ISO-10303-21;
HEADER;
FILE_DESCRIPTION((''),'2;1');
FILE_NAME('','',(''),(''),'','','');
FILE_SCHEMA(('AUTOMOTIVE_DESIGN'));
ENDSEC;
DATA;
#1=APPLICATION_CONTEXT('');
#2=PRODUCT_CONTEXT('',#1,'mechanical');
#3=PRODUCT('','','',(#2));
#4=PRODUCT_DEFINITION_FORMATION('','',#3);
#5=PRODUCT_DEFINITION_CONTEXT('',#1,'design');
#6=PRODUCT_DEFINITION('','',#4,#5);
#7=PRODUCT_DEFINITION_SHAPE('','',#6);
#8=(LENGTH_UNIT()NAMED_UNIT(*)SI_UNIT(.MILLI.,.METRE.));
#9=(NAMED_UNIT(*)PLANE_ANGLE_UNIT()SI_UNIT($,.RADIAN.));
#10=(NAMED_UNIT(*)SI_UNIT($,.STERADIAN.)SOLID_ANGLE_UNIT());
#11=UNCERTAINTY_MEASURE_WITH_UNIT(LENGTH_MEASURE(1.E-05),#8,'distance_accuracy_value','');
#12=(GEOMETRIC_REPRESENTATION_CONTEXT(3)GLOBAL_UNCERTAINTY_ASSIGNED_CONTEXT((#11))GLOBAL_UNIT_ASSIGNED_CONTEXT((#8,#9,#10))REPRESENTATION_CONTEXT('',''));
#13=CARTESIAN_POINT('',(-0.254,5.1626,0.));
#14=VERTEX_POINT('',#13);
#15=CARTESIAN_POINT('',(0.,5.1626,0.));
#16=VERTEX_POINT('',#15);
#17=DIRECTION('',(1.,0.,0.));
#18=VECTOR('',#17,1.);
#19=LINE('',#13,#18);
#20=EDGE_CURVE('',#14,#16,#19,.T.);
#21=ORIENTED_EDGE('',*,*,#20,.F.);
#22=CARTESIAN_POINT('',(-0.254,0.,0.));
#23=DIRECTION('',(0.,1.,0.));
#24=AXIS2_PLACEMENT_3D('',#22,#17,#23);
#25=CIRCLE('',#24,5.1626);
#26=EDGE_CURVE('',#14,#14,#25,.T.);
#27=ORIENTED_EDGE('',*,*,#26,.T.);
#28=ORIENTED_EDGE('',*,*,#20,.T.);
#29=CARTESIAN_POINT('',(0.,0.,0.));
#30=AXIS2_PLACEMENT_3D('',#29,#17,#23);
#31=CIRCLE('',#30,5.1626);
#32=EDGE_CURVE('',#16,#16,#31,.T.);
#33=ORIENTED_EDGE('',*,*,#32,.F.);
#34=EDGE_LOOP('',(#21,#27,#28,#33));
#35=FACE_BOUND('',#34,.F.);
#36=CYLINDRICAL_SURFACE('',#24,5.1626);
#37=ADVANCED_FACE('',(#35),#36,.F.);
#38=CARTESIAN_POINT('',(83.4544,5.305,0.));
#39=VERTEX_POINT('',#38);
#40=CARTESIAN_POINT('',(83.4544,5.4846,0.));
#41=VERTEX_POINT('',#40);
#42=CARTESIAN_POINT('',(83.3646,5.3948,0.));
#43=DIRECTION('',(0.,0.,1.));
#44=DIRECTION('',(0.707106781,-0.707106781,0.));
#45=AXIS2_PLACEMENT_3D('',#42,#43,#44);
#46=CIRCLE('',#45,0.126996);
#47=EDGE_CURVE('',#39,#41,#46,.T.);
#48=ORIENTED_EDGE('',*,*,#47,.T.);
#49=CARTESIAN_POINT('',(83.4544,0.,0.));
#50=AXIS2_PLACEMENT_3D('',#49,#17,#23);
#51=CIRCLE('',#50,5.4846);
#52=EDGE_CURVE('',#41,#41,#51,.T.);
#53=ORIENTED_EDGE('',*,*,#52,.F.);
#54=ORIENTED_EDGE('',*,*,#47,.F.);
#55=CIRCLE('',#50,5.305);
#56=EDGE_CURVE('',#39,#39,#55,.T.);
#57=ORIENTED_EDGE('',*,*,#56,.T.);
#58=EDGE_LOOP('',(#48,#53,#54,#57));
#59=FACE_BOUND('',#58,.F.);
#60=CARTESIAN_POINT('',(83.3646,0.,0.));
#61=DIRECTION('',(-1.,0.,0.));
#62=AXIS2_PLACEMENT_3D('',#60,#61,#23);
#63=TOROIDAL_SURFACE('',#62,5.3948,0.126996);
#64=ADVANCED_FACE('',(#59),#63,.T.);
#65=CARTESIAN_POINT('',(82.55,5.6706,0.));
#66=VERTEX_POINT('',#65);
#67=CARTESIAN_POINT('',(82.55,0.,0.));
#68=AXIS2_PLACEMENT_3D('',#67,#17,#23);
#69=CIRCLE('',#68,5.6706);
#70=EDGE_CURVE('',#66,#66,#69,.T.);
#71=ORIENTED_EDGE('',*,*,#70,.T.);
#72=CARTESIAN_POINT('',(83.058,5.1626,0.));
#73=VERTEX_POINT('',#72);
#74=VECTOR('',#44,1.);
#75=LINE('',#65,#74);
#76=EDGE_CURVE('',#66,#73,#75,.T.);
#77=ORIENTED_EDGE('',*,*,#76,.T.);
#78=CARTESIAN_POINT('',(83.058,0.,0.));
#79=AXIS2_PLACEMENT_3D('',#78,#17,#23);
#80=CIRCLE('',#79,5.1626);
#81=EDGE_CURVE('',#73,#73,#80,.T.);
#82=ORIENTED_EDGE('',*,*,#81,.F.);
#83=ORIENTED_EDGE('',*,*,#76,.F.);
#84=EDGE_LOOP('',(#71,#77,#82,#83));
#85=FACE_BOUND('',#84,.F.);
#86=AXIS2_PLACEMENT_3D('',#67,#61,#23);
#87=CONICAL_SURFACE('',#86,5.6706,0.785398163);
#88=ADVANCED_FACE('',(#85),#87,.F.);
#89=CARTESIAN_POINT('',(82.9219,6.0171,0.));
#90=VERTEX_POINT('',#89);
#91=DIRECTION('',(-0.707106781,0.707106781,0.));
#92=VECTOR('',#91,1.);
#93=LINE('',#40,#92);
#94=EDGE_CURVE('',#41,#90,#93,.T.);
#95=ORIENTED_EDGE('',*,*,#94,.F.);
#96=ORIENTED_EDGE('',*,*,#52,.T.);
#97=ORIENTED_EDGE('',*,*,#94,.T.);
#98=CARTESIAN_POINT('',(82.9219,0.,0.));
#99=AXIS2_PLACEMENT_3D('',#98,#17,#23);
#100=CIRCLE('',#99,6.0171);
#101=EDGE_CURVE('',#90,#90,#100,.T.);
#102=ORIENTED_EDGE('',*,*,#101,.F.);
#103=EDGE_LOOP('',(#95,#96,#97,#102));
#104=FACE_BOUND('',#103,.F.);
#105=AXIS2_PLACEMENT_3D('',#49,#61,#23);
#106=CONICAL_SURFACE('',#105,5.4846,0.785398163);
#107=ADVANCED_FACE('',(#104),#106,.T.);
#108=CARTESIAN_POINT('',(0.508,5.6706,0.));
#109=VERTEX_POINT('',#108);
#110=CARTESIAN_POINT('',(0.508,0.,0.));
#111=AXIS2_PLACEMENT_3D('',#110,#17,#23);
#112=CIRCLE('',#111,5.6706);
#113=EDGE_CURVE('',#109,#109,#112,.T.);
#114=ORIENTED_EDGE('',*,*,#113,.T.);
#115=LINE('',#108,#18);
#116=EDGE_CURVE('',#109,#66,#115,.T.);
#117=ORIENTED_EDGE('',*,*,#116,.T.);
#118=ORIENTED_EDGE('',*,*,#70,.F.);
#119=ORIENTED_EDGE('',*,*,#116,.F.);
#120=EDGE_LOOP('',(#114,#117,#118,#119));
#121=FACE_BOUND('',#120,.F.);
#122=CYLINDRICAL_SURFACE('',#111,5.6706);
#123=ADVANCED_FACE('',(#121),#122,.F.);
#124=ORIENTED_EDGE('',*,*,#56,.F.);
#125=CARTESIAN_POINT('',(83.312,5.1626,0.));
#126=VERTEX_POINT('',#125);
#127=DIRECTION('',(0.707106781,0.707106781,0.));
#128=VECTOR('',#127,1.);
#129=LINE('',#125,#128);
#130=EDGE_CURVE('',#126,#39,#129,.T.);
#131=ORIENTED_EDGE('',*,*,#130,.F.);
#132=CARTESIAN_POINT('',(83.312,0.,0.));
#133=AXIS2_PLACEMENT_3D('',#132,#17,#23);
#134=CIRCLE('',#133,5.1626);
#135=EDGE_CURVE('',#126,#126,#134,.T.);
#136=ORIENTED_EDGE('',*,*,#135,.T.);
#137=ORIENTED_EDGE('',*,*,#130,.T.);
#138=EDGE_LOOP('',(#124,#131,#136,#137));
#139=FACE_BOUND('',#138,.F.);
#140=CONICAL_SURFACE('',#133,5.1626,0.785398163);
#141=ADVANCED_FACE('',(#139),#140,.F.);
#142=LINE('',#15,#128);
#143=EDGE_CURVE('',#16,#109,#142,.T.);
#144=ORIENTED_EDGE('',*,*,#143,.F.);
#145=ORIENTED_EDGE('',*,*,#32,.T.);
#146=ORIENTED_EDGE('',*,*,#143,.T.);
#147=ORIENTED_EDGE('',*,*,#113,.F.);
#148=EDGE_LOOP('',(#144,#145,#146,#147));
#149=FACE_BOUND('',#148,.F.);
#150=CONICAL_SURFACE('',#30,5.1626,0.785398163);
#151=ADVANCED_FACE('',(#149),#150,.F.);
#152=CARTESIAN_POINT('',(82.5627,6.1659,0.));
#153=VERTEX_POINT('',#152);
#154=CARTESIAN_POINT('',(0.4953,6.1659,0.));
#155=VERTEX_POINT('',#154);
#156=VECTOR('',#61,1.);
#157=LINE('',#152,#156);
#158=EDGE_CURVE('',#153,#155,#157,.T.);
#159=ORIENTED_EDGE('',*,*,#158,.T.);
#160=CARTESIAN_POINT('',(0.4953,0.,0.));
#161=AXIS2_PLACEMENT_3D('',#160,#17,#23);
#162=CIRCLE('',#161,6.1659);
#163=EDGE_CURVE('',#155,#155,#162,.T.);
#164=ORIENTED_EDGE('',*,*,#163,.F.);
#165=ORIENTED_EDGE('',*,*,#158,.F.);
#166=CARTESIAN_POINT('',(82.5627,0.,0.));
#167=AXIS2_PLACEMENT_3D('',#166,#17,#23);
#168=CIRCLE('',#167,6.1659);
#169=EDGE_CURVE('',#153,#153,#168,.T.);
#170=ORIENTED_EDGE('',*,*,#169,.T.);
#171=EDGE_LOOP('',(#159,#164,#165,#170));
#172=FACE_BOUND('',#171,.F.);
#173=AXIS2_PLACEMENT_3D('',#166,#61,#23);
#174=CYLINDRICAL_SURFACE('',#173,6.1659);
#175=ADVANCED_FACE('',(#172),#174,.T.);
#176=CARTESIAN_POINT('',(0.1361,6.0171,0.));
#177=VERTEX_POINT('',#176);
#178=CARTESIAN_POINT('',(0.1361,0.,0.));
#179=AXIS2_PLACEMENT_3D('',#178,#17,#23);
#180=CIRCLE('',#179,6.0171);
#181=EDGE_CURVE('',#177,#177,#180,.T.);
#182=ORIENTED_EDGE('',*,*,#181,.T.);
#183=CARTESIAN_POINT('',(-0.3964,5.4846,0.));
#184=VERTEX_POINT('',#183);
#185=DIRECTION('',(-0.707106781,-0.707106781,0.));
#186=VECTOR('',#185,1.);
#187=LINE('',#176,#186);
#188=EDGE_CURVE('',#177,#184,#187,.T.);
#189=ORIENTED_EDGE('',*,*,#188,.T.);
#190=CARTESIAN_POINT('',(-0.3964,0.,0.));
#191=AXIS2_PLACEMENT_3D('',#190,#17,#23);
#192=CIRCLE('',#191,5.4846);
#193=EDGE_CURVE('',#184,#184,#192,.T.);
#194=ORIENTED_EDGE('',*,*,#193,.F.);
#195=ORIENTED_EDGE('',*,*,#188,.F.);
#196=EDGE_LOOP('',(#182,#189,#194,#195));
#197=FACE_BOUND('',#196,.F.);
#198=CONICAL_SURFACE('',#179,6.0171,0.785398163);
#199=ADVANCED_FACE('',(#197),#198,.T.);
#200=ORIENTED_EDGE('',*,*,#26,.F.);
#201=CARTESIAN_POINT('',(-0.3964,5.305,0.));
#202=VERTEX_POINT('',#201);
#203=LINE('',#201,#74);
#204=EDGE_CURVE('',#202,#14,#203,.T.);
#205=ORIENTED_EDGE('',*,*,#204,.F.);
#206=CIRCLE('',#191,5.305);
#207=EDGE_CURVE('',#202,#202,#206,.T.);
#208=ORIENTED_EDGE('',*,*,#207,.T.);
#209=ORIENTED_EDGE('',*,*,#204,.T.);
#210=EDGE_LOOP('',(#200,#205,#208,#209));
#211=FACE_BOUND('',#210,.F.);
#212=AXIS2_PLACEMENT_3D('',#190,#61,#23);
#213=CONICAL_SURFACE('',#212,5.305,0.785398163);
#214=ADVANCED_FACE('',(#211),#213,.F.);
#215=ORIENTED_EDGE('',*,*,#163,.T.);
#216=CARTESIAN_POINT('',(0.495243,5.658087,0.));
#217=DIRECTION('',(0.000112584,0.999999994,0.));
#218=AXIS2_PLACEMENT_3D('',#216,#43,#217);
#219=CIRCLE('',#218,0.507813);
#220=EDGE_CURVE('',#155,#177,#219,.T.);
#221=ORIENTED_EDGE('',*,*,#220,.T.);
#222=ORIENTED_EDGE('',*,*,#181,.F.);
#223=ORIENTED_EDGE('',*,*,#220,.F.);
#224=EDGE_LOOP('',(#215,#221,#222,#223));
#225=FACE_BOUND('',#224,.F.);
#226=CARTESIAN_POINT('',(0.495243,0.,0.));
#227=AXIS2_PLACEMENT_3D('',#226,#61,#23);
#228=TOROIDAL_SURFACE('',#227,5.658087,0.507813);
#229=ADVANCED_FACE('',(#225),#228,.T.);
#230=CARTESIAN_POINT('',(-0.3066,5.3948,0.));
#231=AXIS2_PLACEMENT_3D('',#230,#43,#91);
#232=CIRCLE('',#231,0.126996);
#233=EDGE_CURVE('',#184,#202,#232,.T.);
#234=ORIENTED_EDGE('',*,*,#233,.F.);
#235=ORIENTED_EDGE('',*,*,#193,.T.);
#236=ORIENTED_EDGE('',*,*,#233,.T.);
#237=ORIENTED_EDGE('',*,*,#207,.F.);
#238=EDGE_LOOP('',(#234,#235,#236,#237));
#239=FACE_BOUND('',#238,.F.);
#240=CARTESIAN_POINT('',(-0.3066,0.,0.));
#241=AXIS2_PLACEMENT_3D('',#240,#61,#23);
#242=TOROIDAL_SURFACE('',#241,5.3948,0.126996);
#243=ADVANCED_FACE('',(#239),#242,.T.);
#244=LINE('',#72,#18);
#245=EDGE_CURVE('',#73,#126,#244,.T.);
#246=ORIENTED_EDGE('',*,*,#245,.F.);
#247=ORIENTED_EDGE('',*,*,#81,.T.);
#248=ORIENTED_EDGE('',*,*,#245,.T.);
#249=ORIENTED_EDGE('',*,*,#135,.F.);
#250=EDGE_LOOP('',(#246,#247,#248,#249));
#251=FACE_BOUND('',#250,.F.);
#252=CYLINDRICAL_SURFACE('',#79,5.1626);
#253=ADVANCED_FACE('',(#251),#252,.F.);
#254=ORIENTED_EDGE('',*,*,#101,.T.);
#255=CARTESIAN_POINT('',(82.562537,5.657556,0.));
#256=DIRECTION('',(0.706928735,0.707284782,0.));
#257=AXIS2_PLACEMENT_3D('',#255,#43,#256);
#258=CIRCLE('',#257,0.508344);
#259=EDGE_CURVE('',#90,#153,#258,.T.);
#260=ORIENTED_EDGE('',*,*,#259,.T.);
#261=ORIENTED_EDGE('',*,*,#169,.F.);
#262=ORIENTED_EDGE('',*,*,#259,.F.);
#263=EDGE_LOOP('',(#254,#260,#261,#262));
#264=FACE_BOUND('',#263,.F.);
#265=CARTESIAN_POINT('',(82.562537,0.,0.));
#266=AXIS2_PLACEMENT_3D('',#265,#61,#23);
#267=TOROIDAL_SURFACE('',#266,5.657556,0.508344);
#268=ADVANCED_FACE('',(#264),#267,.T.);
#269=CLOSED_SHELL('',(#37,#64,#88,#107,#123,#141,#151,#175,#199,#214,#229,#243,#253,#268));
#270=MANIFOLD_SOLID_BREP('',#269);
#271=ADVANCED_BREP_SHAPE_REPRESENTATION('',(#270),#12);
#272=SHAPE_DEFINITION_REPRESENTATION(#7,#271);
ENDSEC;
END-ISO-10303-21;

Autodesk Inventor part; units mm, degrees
sketch "Sketch_1" plane through (0, 0, 0) normal (0, 0, 1) x (1, 0, 0)
  line L0 (83.058, 0) -> (0, 0)
  arc A0 (-0.3964, 5.4846) -> (-0.3964, 5.305) centre (-0.3066, 5.3948) ccw
  line L1 (-0.3964, 5.305) -> (-0.254, 5.1626)
  line L2 (-0.254, 5.1626) -> (0, 5.1626)
  line L3 (0, 5.1626) -> (0.508, 5.6706)
  line L4 (0.508, 5.6706) -> (82.55, 5.6706)
  line L5 (82.55, 5.6706) -> (83.058, 5.1626)
  line L6 (83.058, 5.1626) -> (83.312, 5.1626)
  line L7 (83.312, 5.1626) -> (83.4544, 5.305)
  arc A1 (83.4544, 5.305) -> (83.4544, 5.4846) centre (83.3646, 5.3948) ccw
  line L8 (83.4544, 5.4846) -> (82.9219, 6.0171)
  arc A2 (82.9219, 6.0171) -> (82.5627, 6.1659) centre (82.5627, 5.6578) ccw
  line L9 (82.5627, 6.1659) -> (0.4953, 6.1659)
  arc A3 (0.4953, 6.1659) -> (0.1361, 6.0171) centre (0.4953, 5.6578) ccw
  line L10 (0.1361, 6.0171) -> (-0.3964, 5.4846)
revolve "Revolution1" add sketch "Sketch_1" angle 360 about axis through (83.058, 0, 0) along (1, 0, 0)
ref_plane "cp1_XY" through (41.529, 6.1659, 0) normal (1, 0, 0) x (0, 0, -1)
ref_plane "cp1_YZ" through (41.529, 6.1659, 0) normal (0, 0, -1) x (0, 1, 0)
ref_plane "cp1_ZX" through (41.529, 6.1659, 0) normal (0, 1, 0) x (1, 0, 0)
ref_plane "cp2_XY" through (41.529, 0, -6.1659) normal (1, 0, 0) x (0, 0, -1)
ref_plane "cp2_YZ" through (41.529, 0, -6.1659) normal (0, 0, -1) x (0, 1, 0)
ref_plane "cp2_ZX" through (41.529, 0, -6.1659) normal (0, 1, 0) x (1, 0, 0)
ref_plane "cp3_XY" through (41.529, -6.1659, 0) normal (1, 0, 0) x (0, 0, -1)
ref_plane "cp3_YZ" through (41.529, -6.1659, 0) normal (0, 0, -1) x (0, 1, 0)
ref_plane "cp3_ZX" through (41.529, -6.1659, 0) normal (0, 1, 0) x (1, 0, 0)
ref_plane "cp4_XY" through (41.529, 0, 6.1659) normal (1, 0, 0) x (0, 0, -1)
ref_plane "cp4_YZ" through (41.529, 0, 6.1659) normal (0, 0, -1) x (0, 1, 0)
ref_plane "cp4_ZX" through (41.529, 0, 6.1659) normal (0, 1, 0) x (1, 0, 0)
ref_plane "tube_front_XY" through (0, 0, 0) normal (1, 0, 0) x (0, 0, -1)
ref_plane "tube_front_YZ" through (0, 0, 0) normal (0, 0, -1) x (0, 1, 0)
ref_plane "tube_front_ZX" through (0, 0, 0) normal (0, 1, 0) x (1, 0, 0)
ref_plane "tube_rear_XY" through (83.058, 0, 0) normal (1, 0, 0) x (0, 0, -1)
ref_plane "tube_rear_YZ" through (83.058, 0, 0) normal (0, 0, -1) x (0, 1, 0)
ref_plane "tube_rear_ZX" through (83.058, 0, 0) normal (0, 1, 0) x (1, 0, 0)
properties part number "01R-3.270"
